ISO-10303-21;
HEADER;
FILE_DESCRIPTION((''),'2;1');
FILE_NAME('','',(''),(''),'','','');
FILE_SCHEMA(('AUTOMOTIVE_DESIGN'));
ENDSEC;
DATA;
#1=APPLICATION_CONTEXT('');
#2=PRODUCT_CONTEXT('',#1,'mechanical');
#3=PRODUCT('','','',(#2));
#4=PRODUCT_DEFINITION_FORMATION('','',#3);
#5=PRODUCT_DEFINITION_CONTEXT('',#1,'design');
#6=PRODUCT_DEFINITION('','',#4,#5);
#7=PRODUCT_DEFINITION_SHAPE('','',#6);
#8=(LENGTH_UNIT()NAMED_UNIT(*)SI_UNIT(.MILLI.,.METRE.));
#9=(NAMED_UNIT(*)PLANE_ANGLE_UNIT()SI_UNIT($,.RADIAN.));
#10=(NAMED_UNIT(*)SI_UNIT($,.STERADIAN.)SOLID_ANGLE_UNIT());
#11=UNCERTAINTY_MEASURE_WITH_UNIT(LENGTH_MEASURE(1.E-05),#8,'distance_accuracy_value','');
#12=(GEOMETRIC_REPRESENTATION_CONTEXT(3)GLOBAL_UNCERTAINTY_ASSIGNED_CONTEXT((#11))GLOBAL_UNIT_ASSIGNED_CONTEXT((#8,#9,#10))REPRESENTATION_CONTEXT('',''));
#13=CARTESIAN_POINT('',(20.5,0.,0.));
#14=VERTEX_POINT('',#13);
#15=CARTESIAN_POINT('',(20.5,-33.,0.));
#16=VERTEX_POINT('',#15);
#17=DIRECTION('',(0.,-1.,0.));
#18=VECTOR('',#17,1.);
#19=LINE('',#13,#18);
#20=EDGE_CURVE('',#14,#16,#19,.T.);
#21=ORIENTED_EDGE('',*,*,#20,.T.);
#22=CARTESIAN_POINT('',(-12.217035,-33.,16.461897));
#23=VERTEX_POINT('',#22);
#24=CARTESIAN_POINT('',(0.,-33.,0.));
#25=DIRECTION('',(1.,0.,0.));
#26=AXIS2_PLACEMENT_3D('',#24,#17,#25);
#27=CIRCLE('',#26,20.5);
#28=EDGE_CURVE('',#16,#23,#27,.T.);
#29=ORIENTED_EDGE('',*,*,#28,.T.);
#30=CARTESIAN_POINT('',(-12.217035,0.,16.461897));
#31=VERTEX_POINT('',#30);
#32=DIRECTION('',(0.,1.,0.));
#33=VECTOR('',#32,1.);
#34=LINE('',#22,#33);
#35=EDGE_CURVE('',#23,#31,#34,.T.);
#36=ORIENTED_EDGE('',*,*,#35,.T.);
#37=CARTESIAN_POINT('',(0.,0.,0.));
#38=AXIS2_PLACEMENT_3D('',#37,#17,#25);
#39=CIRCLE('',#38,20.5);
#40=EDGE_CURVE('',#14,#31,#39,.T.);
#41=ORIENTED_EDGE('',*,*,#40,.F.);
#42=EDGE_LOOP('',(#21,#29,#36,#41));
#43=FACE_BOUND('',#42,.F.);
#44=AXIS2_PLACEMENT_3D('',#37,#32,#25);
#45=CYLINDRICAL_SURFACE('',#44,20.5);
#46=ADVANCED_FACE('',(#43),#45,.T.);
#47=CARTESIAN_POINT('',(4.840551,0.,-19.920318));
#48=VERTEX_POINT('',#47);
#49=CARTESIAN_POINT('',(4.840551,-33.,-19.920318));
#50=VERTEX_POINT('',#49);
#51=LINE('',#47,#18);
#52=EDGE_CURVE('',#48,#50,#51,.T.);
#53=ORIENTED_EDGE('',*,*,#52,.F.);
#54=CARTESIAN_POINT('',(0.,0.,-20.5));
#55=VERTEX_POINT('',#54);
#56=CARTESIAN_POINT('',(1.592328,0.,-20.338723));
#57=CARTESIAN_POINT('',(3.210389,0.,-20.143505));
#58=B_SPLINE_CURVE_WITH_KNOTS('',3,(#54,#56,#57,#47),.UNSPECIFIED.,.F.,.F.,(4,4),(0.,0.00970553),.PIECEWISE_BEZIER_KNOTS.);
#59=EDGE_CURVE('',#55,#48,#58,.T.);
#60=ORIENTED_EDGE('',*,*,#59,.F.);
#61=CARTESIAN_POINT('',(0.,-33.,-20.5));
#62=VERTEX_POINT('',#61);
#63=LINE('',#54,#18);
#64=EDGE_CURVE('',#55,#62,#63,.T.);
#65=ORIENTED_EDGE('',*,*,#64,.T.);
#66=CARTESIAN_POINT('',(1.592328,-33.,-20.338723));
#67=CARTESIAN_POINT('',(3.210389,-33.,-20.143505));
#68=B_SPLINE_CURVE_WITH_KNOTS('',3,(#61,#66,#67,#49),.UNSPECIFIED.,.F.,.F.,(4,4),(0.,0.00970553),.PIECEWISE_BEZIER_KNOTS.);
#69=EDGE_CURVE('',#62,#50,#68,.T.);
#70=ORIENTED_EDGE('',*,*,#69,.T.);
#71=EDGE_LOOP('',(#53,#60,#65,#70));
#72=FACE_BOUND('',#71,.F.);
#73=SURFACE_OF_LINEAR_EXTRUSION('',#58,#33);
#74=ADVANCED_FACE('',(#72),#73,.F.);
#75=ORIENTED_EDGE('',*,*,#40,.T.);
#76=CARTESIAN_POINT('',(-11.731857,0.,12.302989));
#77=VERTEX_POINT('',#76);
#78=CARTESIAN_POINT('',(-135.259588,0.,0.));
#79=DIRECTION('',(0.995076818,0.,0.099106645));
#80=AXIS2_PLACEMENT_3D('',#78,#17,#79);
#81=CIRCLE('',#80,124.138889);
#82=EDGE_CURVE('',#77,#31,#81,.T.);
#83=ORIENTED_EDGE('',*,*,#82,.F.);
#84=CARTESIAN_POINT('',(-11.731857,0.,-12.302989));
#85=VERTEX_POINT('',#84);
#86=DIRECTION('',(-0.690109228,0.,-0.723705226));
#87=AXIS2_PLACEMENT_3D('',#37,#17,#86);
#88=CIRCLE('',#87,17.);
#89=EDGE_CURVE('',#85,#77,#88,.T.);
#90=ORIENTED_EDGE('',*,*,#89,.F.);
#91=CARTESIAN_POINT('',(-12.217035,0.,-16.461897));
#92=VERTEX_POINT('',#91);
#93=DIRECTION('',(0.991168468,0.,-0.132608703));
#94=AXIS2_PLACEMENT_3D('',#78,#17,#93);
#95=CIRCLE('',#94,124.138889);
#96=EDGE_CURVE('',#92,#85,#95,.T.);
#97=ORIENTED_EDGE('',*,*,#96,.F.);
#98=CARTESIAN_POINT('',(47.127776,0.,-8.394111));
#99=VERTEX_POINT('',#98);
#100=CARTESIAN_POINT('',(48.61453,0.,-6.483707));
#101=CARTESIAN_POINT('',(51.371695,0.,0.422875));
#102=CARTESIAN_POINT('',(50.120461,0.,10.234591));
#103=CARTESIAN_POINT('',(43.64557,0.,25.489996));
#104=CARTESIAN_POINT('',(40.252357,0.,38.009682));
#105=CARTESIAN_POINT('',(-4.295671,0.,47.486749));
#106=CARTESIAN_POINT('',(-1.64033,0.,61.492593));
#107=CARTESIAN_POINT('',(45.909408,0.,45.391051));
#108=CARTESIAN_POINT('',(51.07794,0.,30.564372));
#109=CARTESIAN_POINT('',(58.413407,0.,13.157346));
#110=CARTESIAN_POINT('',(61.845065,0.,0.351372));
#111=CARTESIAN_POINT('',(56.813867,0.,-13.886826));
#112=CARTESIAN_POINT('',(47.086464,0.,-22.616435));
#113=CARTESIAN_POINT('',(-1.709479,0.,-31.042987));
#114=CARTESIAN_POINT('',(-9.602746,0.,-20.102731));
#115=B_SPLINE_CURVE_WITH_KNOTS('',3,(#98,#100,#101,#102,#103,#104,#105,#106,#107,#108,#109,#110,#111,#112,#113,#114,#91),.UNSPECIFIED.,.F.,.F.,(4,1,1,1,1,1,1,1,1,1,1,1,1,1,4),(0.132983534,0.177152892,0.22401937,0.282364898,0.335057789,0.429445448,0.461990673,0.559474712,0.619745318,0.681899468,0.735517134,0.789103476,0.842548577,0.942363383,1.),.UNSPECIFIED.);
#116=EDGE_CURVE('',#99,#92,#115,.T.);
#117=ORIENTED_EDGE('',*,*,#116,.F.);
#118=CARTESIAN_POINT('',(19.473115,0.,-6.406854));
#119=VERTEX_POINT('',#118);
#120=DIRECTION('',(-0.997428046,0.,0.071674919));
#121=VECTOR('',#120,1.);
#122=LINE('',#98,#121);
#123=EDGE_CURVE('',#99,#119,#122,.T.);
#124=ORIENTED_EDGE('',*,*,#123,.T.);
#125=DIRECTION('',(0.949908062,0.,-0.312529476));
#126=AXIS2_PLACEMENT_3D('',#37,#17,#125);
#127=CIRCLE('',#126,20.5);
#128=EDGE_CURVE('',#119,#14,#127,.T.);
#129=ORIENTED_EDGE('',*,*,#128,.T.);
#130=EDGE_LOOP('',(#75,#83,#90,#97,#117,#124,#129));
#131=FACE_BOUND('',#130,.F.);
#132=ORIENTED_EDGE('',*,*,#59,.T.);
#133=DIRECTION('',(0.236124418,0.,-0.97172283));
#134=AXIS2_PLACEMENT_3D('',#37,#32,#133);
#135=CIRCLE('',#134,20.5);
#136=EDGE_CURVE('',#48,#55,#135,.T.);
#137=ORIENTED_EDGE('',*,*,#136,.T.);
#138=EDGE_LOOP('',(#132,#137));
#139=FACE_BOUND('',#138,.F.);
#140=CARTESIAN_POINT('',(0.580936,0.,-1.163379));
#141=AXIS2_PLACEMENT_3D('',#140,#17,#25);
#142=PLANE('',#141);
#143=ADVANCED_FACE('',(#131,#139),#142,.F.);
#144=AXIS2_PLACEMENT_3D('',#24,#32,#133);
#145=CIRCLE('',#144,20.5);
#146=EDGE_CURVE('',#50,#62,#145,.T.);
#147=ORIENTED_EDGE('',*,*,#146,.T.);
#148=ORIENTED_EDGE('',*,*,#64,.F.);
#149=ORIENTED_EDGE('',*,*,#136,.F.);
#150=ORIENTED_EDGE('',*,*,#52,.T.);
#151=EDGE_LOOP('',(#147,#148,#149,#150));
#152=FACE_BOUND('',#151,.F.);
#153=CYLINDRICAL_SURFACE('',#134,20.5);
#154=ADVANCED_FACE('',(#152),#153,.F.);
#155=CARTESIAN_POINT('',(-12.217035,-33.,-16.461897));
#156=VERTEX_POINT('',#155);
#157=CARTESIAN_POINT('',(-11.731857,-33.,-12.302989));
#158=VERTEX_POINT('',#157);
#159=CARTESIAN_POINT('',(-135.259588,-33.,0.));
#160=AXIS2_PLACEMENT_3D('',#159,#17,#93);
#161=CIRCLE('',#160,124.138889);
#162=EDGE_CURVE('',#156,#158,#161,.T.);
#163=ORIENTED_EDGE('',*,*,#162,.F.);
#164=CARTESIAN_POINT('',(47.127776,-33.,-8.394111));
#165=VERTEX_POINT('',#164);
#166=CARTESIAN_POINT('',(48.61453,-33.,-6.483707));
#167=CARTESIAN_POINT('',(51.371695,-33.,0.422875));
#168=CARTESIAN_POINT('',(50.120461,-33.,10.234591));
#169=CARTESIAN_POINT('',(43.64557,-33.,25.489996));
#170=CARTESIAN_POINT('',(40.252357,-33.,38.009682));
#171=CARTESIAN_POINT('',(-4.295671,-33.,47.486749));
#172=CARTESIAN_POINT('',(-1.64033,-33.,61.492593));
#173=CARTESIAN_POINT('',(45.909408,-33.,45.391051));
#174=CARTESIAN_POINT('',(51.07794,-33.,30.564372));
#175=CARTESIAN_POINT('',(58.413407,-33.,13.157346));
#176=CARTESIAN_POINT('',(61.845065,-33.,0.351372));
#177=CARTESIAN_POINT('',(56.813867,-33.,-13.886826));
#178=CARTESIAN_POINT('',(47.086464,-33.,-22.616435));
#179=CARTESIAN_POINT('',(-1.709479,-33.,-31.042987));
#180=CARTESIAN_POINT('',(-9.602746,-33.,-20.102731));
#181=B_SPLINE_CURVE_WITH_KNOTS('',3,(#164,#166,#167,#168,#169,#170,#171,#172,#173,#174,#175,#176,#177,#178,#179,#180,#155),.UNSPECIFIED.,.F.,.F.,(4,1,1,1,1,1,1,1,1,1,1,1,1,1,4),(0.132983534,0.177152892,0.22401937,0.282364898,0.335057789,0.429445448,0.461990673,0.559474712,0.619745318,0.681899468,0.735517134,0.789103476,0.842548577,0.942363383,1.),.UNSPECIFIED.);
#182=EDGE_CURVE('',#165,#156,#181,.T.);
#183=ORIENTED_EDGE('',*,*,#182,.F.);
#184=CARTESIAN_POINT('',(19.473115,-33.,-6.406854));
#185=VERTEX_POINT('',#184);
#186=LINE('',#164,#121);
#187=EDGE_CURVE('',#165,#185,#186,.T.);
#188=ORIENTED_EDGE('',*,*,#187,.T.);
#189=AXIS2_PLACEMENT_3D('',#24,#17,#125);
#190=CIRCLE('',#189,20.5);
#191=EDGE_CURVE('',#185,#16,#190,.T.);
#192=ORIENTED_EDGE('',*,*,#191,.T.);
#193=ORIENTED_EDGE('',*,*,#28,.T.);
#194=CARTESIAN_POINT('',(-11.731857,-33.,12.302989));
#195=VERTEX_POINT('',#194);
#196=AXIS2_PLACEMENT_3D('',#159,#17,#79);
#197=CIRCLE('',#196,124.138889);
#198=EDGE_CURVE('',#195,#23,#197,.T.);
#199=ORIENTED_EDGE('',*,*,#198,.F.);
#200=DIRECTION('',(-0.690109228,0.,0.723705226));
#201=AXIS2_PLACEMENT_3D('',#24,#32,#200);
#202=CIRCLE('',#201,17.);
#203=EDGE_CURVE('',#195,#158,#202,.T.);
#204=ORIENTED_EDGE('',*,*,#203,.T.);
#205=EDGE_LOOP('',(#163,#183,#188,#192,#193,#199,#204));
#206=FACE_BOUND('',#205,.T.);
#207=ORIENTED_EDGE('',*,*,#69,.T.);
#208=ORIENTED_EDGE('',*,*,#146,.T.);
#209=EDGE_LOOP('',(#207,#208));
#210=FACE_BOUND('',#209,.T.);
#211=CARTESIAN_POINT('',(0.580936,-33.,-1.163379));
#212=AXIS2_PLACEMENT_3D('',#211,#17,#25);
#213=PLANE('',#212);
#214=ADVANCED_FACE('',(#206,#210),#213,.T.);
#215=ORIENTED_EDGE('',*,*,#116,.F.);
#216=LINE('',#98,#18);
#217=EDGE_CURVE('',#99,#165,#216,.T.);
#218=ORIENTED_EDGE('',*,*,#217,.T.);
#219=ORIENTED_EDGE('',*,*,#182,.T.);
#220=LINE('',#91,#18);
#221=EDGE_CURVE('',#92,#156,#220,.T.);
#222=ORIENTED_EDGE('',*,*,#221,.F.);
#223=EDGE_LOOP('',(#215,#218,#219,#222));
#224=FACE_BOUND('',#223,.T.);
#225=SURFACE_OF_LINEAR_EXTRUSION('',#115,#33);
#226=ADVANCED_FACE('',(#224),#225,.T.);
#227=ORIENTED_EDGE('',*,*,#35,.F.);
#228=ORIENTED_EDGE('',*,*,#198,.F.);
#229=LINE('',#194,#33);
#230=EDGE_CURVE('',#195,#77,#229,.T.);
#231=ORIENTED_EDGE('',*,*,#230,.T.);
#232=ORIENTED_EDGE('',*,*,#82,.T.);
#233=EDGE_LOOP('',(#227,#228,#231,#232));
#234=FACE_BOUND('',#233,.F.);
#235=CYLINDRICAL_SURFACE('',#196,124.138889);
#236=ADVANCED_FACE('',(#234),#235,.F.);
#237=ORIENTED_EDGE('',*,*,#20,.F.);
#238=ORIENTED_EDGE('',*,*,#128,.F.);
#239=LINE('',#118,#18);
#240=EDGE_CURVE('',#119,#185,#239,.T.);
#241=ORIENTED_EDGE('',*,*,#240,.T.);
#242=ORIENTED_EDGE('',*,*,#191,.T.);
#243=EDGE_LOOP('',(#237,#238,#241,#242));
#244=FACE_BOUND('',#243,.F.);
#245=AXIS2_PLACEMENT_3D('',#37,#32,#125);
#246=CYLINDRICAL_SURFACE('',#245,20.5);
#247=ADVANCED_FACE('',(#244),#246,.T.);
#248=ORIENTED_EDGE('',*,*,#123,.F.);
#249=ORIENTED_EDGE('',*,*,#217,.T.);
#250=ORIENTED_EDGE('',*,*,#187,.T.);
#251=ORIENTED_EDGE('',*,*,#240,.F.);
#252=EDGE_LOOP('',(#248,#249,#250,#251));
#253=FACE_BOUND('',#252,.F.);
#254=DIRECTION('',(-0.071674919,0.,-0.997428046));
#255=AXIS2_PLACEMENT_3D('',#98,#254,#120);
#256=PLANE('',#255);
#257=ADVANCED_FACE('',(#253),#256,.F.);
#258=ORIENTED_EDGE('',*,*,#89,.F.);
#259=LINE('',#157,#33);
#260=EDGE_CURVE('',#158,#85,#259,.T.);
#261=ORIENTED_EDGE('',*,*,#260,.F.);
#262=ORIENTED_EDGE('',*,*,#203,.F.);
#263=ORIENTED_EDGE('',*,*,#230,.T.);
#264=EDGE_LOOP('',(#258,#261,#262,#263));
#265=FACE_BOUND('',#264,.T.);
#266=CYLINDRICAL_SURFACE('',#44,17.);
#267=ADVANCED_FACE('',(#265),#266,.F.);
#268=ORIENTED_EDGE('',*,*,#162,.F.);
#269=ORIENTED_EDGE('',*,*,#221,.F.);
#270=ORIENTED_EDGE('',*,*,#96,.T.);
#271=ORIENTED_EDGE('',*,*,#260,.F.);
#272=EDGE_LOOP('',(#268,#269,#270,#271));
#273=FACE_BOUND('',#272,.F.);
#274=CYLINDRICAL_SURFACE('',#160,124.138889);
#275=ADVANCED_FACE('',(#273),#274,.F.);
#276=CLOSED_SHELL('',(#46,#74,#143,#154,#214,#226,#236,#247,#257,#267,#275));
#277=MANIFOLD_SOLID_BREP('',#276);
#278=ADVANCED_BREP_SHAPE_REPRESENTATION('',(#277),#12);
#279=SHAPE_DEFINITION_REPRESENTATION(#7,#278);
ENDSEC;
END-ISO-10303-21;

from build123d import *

# Parameters (mm, degrees)
F0_R     = 17
F1_DEPTH = 33
F3_DEPTH = 34


with BuildPart() as f1:
    # F0 (on Front) → F1 (new body)
    with BuildSketch(Plane.XZ):
        with BuildLine():
            ThreePointArc((19.4731152736, -6.4068542625), (20.2416509098, -3.2443132472), (20.5, 0))
            ThreePointArc((20.5, 0), (-9.2141408057, 18.3125533231), (-12.2170350451, -16.4618970567))
            ThreePointArc((-12.2170350451, -16.4618970567), (-6.4335491891, -19.4643120822), (0, -20.5))
            add(Edge.make_bspline(
                [(0, -20.5), (1.5923277892, -20.3387229972), (3.2103894704, -20.1435054126), (4.8405505775, -19.9203180222)],
                knots=[0, 0, 0, 0, 0.0097055297, 0.0097055297, 0.0097055297, 0.0097055297], degree=3))
            ThreePointArc((4.8405505775, -19.9203180222), (13.9083432685, -15.0601456674), (19.4731152736, -6.4068542625))
        make_face()
        Circle(F0_R, mode=Mode.SUBTRACT)
        with BuildLine():
            Line((47.1277758479, -8.3941109478), (19.4731152736, -6.4068542625))
            ThreePointArc((19.4731152736, -6.4068542625), (13.9083432685, -15.0601456674), (4.8405505775, -19.9203180222))
            add(Edge.make_bspline(
                [(4.8405505775, -19.9203180222), (19.3083042012, -17.9395198291), (41.3782962579, -11.9516137028), (45.8775985283, -10.0005252755), (47.1277758479, -8.3941109478)],
                knots=[0.0097055297, 0.0097055297, 0.0097055297, 0.0097055297, 0.0958425452, 0.1329835337, 0.1329835337, 0.1329835337, 0.1329835337], degree=3))
        make_face()
        with BuildLine():
            ThreePointArc((0, -20.5), (-6.4335491891, -19.4643120822), (-12.2170350451, -16.4618970567))
            add(Edge.make_bspline(
                [(47.1277758479, -8.3941109478), (48.6145302876, -6.4837070426), (51.371695013, 0.4228746474), (50.1204611373, 10.2345910142), (43.6455696547, 25.4899955334), (40.2523571095, 38.0096816042), (-4.2956712076, 47.4867487704), (-1.6403297527, 61.4925929128), (45.9094079295, 45.3910513353), (51.0779401929, 30.5643720074), (58.4134066018, 13.1573460001), (61.8450652324, 0.3513720738), (56.8138673846, -13.8868258248), (47.0864641758, -22.6164354187), (-1.709479291, -31.0429870798), (-9.6027457486, -20.1027312705), (-12.2170350451, -16.4618970567)],
                knots=[0.1329835337, 0.1329835337, 0.1329835337, 0.1329835337, 0.1771528916, 0.2240193699, 0.2823648976, 0.3350577885, 0.4294454478, 0.4619906728, 0.5594747119, 0.6197453177, 0.6818994679, 0.7355171335, 0.7891034764, 0.8425485767, 0.9423633831, 1, 1, 1, 1], degree=3))
            add(Edge.make_bspline(
                [(4.8405505775, -19.9203180222), (19.3083042012, -17.9395198291), (41.3782962579, -11.9516137028), (45.8775985283, -10.0005252755), (47.1277758479, -8.3941109478)],
                knots=[0.0097055297, 0.0097055297, 0.0097055297, 0.0097055297, 0.0958425452, 0.1329835337, 0.1329835337, 0.1329835337, 0.1329835337], degree=3))
            ThreePointArc((4.8405505775, -19.9203180222), (2.4375685164, -20.3545636094), (0, -20.5))
        make_face()
    extrude(amount=F1_DEPTH)

    # F2 (on face) → F3 (cut)
    with BuildSketch(Plane.XZ.offset(33)):
        with BuildLine():
            ThreePointArc((-12.2170350451, 16.4618970567), (-20.5, 0), (-12.2170350451, -16.4618970567))
            ThreePointArc((-12.2170350451, -16.4618970567), (-11.9569100973, -14.3844886818), (-11.7318568687, -12.3029888406))
            ThreePointArc((-11.7318568687, -12.3029888406), (-17, 0), (-11.7318568687, 12.3029888406))
            ThreePointArc((-11.7318568687, 12.3029888406), (-11.9569100973, 14.3844886818), (-12.2170350451, 16.4618970567))
        make_face()
    extrude(amount=-F3_DEPTH, mode=Mode.SUBTRACT)


solid = f1.part
